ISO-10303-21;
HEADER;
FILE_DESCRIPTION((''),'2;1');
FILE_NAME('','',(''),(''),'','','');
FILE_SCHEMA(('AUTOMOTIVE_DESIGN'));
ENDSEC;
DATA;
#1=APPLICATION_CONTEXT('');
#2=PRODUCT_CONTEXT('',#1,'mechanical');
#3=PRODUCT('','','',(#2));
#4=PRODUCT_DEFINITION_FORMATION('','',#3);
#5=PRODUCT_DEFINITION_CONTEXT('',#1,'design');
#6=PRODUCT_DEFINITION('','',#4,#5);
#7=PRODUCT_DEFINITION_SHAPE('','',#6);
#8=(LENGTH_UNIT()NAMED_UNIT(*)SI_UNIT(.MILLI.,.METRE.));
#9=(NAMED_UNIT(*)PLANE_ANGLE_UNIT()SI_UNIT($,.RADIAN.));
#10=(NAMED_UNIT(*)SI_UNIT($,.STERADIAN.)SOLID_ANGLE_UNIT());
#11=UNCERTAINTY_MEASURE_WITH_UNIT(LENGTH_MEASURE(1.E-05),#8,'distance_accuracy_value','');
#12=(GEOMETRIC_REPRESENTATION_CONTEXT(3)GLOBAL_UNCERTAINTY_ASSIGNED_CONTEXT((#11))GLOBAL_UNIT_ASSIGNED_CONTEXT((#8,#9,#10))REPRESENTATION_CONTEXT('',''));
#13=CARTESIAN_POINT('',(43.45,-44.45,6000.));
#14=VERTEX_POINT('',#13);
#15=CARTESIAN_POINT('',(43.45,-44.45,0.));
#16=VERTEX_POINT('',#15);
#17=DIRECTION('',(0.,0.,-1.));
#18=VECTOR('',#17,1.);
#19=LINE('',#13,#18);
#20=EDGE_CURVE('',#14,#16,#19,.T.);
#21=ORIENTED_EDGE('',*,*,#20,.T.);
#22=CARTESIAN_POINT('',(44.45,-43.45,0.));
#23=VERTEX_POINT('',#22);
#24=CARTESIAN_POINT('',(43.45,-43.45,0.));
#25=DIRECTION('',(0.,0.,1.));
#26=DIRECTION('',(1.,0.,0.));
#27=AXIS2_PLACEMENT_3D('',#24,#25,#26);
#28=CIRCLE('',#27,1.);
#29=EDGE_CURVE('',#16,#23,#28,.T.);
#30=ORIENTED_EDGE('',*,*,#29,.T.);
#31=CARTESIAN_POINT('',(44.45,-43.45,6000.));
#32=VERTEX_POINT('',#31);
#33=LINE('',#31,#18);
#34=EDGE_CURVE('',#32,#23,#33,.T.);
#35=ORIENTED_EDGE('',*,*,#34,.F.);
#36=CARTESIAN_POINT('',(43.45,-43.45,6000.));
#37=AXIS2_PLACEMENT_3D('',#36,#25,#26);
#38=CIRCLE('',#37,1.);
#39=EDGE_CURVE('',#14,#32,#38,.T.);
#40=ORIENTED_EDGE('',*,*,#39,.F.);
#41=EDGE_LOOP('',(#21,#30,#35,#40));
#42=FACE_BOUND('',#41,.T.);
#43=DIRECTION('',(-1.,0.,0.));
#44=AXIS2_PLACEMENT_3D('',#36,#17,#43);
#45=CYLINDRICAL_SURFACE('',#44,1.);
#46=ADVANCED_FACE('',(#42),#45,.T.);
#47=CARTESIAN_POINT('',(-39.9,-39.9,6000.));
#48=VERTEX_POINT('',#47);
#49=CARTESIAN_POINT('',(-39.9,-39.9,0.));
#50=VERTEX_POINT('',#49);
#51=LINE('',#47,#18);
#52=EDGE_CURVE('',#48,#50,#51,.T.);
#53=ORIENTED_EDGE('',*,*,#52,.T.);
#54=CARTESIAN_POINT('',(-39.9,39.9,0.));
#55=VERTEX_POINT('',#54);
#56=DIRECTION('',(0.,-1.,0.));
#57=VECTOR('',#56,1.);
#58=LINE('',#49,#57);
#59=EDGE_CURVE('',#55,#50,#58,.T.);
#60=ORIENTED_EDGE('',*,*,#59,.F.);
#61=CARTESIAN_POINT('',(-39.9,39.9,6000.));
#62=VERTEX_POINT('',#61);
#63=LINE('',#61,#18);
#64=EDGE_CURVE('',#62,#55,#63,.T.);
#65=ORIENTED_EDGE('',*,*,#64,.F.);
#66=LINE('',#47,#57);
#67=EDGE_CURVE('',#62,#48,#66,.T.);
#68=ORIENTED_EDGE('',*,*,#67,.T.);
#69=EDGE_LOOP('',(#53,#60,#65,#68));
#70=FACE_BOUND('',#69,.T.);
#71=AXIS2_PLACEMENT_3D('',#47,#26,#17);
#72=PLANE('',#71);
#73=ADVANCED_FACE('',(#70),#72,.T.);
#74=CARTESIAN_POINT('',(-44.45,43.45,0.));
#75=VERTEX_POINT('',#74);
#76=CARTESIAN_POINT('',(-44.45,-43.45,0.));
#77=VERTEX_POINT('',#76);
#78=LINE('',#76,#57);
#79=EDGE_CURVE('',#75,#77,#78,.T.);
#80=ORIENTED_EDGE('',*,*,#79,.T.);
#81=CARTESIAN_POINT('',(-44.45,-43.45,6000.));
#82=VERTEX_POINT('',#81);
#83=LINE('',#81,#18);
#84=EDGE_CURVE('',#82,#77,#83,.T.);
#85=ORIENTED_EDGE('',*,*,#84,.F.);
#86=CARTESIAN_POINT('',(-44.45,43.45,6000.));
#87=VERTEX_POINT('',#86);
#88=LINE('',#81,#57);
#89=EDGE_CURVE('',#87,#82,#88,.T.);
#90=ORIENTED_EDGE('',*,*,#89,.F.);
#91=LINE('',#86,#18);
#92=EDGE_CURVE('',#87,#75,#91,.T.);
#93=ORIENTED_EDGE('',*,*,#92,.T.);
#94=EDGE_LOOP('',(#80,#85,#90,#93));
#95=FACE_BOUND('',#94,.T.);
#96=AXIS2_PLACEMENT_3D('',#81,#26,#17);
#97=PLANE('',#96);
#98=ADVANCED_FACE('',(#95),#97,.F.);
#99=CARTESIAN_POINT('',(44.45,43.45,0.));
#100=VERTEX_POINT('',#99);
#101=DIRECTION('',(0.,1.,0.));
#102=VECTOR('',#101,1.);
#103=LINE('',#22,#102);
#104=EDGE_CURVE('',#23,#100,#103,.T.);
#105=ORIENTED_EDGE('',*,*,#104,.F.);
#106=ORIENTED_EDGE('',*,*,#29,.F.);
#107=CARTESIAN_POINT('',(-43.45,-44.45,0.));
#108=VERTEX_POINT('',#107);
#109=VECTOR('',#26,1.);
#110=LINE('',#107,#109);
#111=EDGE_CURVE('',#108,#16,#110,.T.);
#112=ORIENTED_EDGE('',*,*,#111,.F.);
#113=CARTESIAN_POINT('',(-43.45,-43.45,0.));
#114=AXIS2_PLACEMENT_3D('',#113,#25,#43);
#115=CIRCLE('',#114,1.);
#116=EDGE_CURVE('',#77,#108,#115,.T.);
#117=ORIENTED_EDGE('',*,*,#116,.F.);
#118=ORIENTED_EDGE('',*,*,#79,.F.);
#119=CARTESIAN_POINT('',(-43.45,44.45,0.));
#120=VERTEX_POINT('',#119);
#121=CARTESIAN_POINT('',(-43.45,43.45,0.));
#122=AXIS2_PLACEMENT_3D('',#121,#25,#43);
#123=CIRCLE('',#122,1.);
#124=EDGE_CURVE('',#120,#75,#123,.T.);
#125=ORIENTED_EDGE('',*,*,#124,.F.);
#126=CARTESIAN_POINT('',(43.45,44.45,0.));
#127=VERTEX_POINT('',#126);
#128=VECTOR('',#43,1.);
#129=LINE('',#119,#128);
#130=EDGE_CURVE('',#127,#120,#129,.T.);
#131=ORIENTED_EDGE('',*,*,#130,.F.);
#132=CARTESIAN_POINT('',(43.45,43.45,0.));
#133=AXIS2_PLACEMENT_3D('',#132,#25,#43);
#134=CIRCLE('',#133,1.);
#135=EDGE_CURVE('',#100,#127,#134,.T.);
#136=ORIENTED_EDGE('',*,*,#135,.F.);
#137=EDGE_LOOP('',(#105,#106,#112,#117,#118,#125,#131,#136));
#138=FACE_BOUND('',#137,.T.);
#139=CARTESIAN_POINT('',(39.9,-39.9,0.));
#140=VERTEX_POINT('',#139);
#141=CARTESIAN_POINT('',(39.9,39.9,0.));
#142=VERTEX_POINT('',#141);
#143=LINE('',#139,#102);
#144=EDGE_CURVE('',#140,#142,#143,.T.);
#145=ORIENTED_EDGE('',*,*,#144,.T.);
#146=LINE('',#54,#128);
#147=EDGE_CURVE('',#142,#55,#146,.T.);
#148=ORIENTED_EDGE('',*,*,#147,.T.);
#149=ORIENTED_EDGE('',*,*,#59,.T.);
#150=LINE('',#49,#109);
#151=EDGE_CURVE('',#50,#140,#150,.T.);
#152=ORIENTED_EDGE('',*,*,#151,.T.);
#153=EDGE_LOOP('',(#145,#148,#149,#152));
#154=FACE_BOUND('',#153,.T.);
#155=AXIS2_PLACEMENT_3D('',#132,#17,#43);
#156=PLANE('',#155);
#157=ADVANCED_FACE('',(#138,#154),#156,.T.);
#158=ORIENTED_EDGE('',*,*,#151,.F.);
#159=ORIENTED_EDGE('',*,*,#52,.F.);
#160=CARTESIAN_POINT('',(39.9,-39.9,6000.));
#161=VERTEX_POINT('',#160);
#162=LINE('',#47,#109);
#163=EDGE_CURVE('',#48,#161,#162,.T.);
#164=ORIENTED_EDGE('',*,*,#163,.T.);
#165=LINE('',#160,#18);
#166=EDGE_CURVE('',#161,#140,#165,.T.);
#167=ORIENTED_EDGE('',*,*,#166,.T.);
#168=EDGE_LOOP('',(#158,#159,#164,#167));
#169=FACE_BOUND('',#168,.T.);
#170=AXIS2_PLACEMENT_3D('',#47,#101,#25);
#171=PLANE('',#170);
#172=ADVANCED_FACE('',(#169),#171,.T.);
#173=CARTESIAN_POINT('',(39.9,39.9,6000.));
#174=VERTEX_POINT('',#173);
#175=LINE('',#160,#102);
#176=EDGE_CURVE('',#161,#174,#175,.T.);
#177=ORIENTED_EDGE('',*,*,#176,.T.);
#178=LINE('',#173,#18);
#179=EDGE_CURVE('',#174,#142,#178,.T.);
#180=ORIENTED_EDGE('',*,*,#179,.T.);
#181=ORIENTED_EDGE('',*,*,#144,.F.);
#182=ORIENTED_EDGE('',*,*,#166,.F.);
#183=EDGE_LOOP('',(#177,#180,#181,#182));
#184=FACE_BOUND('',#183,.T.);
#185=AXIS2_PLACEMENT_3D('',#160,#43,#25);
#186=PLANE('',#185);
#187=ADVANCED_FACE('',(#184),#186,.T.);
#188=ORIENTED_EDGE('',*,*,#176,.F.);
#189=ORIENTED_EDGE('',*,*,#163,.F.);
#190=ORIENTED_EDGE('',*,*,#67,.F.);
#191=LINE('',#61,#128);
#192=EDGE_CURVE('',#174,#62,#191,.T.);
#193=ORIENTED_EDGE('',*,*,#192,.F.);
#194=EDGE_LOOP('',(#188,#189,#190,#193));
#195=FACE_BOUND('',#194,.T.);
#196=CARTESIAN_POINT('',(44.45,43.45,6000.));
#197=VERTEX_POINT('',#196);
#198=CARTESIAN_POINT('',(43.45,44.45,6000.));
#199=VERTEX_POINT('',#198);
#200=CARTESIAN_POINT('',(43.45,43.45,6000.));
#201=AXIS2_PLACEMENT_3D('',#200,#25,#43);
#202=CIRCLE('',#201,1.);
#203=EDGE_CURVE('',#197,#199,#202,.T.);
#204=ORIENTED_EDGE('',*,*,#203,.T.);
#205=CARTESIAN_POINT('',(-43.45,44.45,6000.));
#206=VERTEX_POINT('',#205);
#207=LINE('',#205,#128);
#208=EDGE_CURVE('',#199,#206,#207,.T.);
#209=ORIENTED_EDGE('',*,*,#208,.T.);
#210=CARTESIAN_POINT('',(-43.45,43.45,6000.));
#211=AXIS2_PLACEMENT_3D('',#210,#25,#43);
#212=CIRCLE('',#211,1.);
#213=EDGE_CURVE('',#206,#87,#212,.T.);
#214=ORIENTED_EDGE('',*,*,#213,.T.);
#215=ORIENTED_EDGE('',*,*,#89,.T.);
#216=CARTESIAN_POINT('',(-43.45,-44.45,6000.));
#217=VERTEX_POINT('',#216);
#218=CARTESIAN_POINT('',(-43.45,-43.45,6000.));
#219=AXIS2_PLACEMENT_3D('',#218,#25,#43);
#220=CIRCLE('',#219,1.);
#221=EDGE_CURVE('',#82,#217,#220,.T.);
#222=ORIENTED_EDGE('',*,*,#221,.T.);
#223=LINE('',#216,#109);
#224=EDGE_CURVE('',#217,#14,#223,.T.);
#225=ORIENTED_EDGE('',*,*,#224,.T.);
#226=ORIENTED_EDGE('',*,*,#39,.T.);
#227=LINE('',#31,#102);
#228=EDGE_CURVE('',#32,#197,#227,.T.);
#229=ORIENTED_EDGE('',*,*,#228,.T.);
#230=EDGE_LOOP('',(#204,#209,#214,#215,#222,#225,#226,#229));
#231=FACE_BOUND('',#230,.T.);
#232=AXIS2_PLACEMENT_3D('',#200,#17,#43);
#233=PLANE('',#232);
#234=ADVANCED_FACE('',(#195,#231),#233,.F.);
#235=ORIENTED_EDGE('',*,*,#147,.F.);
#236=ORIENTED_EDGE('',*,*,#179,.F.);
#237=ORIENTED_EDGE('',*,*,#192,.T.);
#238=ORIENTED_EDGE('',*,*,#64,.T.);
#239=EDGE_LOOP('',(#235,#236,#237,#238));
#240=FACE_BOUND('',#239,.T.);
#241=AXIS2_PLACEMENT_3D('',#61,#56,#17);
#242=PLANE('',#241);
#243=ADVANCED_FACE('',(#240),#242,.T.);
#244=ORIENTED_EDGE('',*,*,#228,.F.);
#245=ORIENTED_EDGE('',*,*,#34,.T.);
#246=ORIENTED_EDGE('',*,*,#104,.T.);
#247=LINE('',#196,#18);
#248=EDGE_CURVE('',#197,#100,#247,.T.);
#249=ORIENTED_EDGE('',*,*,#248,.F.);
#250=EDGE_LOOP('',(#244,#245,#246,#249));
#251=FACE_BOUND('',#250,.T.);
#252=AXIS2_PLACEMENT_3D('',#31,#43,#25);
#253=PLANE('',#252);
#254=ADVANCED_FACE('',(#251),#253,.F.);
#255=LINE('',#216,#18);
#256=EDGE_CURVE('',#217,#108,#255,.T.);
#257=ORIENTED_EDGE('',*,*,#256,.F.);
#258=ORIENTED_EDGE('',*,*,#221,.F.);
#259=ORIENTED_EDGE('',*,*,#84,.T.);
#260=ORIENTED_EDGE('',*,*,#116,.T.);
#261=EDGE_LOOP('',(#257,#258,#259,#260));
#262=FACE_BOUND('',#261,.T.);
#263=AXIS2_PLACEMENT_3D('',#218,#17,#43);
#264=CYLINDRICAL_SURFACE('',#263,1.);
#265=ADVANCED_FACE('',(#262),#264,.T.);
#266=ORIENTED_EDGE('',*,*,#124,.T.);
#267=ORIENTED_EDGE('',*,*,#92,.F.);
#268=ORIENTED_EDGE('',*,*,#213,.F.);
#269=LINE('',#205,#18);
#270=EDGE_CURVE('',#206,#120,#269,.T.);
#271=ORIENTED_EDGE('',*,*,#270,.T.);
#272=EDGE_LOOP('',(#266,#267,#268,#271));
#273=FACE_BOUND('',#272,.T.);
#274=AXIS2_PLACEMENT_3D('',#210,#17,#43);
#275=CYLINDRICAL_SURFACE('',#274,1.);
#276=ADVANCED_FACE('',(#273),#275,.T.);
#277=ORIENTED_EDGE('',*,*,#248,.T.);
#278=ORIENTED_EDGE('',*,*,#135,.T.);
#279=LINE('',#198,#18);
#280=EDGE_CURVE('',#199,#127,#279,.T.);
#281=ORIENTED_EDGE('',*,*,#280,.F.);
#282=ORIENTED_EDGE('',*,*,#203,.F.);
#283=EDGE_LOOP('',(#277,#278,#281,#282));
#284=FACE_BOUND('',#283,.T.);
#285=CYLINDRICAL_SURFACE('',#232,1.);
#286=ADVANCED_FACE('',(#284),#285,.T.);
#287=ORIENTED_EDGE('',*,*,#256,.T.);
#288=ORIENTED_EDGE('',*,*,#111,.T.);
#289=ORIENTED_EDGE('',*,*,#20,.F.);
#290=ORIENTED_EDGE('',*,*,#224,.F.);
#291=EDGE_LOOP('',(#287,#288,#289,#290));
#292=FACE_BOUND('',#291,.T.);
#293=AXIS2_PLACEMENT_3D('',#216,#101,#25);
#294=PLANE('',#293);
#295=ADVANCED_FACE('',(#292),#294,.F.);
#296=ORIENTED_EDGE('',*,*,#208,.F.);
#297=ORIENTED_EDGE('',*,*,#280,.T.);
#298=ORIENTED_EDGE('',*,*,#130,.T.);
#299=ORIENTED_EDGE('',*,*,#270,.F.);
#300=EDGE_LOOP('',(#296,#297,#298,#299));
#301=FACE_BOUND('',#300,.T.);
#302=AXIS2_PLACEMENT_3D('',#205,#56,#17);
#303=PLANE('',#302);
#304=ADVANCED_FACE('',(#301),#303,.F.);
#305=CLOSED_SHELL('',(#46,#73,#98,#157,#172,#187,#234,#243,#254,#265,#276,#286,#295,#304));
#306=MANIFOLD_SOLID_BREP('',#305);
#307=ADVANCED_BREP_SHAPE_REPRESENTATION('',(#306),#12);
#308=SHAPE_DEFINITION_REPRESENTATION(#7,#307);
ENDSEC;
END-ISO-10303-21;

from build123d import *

# Parameters (mm, degrees)
CROQUIS1_W              = 79.8
CROQUIS1_H              = 79.8
SALIENTE_EXTRUIR1_DEPTH = 6000


with BuildPart() as part:
    # Croquis1 → Saliente-Extruir1 (new body)
    with BuildSketch(Plane.XY):
        with BuildLine():
            Line((-43.45, -44.45), (43.45, -44.45))
            ThreePointArc((43.45, -44.45), (44.157106781, -44.157106781), (44.45, -43.45))
            Line((44.45, -43.45), (44.45, 43.45))
            ThreePointArc((44.45, 43.45), (44.157106781, 44.157106781), (43.45, 44.45))
            Line((43.45, 44.45), (-43.45, 44.45))
            ThreePointArc((-43.45, 44.45), (-44.157106781, 44.157106781), (-44.45, 43.45))
            Line((-44.45, 43.45), (-44.45, -43.45))
            ThreePointArc((-44.45, -43.45), (-44.157106781, -44.157106781), (-43.45, -44.45))
        make_face()
        Rectangle(CROQUIS1_W, CROQUIS1_H, mode=Mode.SUBTRACT)
    extrude(amount=SALIENTE_EXTRUIR1_DEPTH)


solid = part.part
